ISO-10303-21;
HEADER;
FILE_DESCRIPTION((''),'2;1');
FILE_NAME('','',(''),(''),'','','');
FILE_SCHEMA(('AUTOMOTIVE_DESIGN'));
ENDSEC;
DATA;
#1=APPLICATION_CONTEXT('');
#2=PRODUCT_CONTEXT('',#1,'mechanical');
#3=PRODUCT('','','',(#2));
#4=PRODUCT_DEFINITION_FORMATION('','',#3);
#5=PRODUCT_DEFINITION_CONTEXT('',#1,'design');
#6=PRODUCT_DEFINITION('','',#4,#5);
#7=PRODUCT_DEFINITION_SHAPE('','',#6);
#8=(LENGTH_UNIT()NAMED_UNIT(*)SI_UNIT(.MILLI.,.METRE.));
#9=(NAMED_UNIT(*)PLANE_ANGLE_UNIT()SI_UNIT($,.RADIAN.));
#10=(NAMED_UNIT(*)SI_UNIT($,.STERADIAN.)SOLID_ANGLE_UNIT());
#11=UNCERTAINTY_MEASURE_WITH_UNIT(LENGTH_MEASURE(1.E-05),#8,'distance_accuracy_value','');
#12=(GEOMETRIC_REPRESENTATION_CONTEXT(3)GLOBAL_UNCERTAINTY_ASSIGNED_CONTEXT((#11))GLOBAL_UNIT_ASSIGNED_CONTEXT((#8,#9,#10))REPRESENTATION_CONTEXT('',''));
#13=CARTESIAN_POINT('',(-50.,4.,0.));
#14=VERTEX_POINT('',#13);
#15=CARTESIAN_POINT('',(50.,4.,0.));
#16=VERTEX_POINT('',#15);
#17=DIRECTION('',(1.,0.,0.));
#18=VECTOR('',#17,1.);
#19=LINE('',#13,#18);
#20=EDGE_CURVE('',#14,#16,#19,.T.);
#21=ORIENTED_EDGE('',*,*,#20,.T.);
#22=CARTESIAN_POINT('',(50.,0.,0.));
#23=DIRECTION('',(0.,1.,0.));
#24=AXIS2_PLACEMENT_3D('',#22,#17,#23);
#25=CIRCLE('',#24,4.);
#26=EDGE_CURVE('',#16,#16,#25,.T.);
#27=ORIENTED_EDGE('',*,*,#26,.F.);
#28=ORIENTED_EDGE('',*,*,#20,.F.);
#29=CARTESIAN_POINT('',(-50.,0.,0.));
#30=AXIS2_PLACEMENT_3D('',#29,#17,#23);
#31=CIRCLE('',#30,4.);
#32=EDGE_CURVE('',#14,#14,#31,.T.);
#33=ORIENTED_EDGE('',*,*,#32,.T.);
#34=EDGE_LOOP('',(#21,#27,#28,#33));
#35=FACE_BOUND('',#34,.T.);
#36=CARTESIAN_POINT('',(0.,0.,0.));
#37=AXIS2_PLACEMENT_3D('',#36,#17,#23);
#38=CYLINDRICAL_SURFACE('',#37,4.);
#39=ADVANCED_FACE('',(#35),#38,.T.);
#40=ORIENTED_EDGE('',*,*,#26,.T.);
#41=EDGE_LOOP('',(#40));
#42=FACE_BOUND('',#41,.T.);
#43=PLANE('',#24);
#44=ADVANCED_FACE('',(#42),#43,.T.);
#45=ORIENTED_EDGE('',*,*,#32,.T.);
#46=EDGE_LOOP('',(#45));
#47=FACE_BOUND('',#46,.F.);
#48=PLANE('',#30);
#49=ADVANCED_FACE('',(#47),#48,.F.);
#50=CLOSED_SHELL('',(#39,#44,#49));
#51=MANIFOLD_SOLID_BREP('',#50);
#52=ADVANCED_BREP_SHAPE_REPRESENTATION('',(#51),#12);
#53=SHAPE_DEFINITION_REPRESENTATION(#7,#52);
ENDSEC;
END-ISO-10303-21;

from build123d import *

# Parameters (mm, degrees)
SKETCH_R  = 4
PAD_DEPTH = 50


with BuildPart() as part:
    # Sketch → Pad (new body, symmetric)
    with BuildSketch(Plane.YZ):
        Circle(SKETCH_R)
    extrude(amount=PAD_DEPTH, both=True)


solid = part.part
